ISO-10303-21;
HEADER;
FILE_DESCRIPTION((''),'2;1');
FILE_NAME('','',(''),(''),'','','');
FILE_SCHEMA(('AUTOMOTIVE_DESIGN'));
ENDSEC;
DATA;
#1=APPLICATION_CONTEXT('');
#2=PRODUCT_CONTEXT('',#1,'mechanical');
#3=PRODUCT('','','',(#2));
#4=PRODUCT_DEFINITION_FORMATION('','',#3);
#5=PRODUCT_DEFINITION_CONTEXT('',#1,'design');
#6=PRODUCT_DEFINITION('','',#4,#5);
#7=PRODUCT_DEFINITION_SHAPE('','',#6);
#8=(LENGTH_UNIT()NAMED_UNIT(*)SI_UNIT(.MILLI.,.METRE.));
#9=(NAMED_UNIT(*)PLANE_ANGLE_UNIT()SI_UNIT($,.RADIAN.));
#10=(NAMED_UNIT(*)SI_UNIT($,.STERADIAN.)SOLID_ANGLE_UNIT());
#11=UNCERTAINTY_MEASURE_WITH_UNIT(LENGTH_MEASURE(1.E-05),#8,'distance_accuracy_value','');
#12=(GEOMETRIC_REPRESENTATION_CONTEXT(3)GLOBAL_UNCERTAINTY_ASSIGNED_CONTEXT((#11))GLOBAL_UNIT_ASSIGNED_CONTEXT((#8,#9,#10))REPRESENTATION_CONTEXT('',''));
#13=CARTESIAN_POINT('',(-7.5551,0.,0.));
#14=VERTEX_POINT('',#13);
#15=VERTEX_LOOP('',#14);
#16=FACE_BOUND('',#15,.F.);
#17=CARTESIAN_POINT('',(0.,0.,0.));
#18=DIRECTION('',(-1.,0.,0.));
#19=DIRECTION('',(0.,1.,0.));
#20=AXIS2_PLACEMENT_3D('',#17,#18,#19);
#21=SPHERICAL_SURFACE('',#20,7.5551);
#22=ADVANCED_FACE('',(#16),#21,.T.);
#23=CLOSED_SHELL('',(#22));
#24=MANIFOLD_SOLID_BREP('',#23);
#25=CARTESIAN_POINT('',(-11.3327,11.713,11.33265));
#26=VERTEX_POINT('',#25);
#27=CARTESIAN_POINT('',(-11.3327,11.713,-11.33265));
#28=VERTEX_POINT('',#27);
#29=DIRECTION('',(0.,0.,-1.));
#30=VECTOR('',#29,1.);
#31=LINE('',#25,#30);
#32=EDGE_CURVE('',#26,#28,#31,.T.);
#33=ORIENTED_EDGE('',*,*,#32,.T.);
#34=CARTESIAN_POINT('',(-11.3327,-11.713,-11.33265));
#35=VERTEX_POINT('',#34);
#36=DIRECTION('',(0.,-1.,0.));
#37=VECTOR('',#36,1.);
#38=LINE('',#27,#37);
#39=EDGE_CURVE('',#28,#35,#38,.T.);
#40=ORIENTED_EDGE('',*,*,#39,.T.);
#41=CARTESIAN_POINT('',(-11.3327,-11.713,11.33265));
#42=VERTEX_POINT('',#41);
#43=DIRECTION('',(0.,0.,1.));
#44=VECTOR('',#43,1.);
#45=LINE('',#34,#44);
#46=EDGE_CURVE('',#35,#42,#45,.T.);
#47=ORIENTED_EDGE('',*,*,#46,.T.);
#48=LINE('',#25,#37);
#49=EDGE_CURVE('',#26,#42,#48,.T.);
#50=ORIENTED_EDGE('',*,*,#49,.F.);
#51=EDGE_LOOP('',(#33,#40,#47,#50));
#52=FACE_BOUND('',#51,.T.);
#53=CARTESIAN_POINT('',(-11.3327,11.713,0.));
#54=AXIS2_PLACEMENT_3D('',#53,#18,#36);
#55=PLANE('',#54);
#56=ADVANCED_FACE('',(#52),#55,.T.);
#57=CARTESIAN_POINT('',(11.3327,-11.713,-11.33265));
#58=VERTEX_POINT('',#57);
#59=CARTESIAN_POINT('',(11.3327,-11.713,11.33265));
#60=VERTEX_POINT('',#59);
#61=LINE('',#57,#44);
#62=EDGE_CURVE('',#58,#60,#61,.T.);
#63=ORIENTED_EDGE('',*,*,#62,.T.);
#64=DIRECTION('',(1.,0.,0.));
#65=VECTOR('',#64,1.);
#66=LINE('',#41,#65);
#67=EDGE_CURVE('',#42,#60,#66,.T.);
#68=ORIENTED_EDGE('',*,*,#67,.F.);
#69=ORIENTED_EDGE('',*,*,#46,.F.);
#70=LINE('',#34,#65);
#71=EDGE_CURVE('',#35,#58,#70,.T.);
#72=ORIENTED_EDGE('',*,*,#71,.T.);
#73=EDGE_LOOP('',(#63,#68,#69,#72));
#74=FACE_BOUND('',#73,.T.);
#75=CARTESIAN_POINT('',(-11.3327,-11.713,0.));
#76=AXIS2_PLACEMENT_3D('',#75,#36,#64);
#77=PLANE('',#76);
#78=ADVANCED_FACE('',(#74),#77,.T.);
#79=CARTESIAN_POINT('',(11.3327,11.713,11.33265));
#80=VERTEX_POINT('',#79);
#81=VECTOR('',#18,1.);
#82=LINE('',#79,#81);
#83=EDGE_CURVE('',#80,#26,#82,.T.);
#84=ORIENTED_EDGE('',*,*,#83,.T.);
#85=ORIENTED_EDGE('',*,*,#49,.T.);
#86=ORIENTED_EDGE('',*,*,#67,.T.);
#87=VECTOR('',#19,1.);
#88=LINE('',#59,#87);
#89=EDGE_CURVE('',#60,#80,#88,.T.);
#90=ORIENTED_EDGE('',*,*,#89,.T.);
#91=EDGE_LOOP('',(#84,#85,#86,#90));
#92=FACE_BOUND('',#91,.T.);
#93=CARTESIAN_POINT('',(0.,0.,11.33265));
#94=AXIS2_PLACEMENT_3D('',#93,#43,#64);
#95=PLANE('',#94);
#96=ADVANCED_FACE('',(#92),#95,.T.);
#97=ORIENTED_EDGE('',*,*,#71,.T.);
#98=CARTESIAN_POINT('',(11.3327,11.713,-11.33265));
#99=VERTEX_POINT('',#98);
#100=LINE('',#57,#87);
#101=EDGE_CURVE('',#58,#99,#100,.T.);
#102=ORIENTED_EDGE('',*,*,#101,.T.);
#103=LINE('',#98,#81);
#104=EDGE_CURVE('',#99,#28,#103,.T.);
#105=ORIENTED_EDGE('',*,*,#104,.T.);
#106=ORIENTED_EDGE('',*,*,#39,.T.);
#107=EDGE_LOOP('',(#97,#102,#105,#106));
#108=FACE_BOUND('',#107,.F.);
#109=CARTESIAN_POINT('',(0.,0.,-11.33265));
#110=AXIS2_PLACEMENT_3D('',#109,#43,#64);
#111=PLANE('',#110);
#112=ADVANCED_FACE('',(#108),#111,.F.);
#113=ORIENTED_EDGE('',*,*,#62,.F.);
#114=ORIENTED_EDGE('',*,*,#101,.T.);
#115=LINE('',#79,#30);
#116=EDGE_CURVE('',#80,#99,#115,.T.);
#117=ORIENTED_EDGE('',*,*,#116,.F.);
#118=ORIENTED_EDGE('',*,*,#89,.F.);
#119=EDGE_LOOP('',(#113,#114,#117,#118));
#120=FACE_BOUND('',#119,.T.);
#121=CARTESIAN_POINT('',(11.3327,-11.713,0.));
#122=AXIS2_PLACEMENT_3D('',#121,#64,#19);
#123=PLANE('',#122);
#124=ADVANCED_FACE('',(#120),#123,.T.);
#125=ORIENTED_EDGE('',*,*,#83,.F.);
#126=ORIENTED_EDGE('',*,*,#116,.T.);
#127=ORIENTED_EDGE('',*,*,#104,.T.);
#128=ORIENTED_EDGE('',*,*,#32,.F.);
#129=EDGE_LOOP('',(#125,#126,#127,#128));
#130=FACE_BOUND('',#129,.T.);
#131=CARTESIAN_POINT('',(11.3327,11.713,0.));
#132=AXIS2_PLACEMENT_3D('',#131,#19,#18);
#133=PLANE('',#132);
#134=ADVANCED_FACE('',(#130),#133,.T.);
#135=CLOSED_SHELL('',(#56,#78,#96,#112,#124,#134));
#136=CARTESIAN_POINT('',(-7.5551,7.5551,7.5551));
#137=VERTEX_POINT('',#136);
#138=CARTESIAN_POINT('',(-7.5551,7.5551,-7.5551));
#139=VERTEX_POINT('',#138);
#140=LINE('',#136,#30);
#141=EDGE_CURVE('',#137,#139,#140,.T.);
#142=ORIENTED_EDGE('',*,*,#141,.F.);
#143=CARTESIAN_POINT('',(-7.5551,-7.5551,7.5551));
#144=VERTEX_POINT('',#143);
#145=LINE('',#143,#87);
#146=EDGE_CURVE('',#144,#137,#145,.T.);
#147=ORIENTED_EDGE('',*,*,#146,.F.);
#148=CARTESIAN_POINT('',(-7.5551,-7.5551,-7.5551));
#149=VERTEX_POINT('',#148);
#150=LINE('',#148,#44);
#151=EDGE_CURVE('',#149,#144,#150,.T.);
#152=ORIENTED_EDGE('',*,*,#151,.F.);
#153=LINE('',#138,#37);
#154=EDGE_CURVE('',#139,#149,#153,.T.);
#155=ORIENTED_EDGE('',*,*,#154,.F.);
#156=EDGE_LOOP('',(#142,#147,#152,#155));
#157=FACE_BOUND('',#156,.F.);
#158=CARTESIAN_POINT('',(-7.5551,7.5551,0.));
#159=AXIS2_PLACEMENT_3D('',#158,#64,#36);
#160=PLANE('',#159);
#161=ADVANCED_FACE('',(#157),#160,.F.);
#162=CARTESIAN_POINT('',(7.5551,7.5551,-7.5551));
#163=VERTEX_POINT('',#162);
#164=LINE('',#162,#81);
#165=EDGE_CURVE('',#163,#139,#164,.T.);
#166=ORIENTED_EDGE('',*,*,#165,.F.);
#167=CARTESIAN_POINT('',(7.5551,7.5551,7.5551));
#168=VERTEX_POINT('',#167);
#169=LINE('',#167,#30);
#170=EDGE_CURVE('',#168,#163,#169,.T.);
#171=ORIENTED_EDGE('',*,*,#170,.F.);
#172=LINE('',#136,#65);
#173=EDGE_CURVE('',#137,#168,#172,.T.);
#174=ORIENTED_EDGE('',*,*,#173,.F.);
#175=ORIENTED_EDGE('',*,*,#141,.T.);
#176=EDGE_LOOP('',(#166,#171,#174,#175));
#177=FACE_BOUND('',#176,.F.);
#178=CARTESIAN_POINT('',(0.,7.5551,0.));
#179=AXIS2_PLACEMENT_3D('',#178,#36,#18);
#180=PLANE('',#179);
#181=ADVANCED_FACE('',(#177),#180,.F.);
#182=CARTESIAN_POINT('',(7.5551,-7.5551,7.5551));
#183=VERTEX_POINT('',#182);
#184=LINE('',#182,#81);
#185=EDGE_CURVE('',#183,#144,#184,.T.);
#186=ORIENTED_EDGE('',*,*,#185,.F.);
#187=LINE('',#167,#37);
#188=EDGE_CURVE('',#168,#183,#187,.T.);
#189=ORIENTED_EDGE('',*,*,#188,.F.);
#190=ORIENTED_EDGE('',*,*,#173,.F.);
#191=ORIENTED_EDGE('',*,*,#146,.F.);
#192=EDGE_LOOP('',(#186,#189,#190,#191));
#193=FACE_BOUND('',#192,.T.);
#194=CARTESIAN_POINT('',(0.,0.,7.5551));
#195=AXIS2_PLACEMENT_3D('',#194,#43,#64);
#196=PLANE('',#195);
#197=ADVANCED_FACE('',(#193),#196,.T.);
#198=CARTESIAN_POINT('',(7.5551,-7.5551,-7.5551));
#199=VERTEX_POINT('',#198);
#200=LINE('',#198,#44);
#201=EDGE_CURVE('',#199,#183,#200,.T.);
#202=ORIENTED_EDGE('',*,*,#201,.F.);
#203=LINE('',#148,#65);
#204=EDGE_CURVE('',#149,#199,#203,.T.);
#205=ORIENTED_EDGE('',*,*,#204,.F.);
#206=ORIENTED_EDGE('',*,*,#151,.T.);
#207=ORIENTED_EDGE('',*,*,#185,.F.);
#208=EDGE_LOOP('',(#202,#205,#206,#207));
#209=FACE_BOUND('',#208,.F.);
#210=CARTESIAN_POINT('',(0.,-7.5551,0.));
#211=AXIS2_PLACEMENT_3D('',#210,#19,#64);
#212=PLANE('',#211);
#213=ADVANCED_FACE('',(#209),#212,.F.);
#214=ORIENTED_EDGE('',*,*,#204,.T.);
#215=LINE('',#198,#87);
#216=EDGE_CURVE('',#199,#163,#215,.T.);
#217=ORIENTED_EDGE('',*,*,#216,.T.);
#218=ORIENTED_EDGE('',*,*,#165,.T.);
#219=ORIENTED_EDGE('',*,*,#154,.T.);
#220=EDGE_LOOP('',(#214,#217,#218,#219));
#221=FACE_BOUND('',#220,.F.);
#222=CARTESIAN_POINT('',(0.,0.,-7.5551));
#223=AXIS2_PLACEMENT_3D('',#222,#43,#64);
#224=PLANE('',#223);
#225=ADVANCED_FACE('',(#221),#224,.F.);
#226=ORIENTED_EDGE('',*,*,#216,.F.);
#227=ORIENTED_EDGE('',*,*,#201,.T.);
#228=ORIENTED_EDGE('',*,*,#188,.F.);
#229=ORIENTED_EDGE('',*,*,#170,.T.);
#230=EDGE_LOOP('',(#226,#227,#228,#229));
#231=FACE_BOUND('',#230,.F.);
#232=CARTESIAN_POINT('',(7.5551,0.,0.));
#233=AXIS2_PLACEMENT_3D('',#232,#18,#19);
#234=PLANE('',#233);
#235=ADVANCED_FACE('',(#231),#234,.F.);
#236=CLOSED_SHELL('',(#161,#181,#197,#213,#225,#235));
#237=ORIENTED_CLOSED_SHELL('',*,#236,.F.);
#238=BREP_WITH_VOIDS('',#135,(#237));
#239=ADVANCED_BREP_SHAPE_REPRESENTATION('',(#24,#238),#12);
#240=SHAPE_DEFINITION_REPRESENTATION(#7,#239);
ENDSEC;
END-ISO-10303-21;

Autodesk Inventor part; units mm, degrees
ref_plane "YZ Plane" through (0, 0, 0) normal (1, 0, 0) x (0, 1, 0)
ref_plane "XZ Plane" through (0, 0, 0) normal (0, 1, 0) x (-1, 0, 0)
ref_plane "XY Plane" through (0, 0, 0) normal (0, 0, 1) x (1, 0, 0)
sketch "Náčrt1" plane through (0, 0, 0) normal (0, 0, 1) x (1, 0, 0)
  circle A0 centre (0, 0) radius 7.5551
  line L0 (-7.5551, -7.5551) -> (7.5551, -7.5551)
  line L1 (7.5551, -7.5551) -> (7.5551, 7.5551)
  line L2 (7.5551, 7.5551) -> (-7.5551, 7.5551)
  line L3 (-7.5551, 7.5551) -> (-7.5551, -7.5551)
  line L4 (-7.5551, -7.5551) -> (7.5551, 7.5551) construction
  line L5 (7.5551, -7.5551) -> (-7.5551, 7.5551) construction
  line L6 (-11.3327, -11.713) -> (11.3327, -11.713)
  line L7 (11.3327, -11.713) -> (11.3327, 11.713)
  line L8 (11.3327, 11.713) -> (-11.3327, 11.713)
  line L9 (-11.3327, 11.713) -> (-11.3327, -11.713)
  line L10 (-11.3327, -11.713) -> (11.3327, 11.713) construction
  line L11 (11.3327, -11.713) -> (-11.3327, 11.713) construction
  line L12 (-7.5551, 0) -> (7.5551, 0)
  dimension "d1" = 15.1102
  dimension "d2" = 22.6653
extrude "Vysunutí1" add sketch "Náčrt1" along normal mid plane 22.6653 contours L12 A0 | L1 L0 A0 | A0 L2 L1 | A0 L12 | A0 L3 L2 | L0 L3 A0 | L9 L8 L7 L6
extrude "Vysunutí2" cut sketch "Náčrt1" along normal mid plane 15.1102 contours L12 A0 | L1 L0 A0 | A0 L2 L1 | A0 L12 | A0 L3 L2 | L0 L3 A0
revolve "Rotace1" add sketch "Náčrt1" angle 360 about axis through (-7.5551, 0, 0) along (1, 0, 0) picked at (1.9689, 1.5702) contours L12 A0
equation "\"d1\" = PRUMER"
equation "\"d2\" = HRANA"
equation "\"d3\" = HRANA"
equation "\"d5\" = PRUMER"
equation "\"PRUMER\" = 15.11021"
equation "\"HRANA\" = 1.5 * PRUMER"
properties part number "parametry"
